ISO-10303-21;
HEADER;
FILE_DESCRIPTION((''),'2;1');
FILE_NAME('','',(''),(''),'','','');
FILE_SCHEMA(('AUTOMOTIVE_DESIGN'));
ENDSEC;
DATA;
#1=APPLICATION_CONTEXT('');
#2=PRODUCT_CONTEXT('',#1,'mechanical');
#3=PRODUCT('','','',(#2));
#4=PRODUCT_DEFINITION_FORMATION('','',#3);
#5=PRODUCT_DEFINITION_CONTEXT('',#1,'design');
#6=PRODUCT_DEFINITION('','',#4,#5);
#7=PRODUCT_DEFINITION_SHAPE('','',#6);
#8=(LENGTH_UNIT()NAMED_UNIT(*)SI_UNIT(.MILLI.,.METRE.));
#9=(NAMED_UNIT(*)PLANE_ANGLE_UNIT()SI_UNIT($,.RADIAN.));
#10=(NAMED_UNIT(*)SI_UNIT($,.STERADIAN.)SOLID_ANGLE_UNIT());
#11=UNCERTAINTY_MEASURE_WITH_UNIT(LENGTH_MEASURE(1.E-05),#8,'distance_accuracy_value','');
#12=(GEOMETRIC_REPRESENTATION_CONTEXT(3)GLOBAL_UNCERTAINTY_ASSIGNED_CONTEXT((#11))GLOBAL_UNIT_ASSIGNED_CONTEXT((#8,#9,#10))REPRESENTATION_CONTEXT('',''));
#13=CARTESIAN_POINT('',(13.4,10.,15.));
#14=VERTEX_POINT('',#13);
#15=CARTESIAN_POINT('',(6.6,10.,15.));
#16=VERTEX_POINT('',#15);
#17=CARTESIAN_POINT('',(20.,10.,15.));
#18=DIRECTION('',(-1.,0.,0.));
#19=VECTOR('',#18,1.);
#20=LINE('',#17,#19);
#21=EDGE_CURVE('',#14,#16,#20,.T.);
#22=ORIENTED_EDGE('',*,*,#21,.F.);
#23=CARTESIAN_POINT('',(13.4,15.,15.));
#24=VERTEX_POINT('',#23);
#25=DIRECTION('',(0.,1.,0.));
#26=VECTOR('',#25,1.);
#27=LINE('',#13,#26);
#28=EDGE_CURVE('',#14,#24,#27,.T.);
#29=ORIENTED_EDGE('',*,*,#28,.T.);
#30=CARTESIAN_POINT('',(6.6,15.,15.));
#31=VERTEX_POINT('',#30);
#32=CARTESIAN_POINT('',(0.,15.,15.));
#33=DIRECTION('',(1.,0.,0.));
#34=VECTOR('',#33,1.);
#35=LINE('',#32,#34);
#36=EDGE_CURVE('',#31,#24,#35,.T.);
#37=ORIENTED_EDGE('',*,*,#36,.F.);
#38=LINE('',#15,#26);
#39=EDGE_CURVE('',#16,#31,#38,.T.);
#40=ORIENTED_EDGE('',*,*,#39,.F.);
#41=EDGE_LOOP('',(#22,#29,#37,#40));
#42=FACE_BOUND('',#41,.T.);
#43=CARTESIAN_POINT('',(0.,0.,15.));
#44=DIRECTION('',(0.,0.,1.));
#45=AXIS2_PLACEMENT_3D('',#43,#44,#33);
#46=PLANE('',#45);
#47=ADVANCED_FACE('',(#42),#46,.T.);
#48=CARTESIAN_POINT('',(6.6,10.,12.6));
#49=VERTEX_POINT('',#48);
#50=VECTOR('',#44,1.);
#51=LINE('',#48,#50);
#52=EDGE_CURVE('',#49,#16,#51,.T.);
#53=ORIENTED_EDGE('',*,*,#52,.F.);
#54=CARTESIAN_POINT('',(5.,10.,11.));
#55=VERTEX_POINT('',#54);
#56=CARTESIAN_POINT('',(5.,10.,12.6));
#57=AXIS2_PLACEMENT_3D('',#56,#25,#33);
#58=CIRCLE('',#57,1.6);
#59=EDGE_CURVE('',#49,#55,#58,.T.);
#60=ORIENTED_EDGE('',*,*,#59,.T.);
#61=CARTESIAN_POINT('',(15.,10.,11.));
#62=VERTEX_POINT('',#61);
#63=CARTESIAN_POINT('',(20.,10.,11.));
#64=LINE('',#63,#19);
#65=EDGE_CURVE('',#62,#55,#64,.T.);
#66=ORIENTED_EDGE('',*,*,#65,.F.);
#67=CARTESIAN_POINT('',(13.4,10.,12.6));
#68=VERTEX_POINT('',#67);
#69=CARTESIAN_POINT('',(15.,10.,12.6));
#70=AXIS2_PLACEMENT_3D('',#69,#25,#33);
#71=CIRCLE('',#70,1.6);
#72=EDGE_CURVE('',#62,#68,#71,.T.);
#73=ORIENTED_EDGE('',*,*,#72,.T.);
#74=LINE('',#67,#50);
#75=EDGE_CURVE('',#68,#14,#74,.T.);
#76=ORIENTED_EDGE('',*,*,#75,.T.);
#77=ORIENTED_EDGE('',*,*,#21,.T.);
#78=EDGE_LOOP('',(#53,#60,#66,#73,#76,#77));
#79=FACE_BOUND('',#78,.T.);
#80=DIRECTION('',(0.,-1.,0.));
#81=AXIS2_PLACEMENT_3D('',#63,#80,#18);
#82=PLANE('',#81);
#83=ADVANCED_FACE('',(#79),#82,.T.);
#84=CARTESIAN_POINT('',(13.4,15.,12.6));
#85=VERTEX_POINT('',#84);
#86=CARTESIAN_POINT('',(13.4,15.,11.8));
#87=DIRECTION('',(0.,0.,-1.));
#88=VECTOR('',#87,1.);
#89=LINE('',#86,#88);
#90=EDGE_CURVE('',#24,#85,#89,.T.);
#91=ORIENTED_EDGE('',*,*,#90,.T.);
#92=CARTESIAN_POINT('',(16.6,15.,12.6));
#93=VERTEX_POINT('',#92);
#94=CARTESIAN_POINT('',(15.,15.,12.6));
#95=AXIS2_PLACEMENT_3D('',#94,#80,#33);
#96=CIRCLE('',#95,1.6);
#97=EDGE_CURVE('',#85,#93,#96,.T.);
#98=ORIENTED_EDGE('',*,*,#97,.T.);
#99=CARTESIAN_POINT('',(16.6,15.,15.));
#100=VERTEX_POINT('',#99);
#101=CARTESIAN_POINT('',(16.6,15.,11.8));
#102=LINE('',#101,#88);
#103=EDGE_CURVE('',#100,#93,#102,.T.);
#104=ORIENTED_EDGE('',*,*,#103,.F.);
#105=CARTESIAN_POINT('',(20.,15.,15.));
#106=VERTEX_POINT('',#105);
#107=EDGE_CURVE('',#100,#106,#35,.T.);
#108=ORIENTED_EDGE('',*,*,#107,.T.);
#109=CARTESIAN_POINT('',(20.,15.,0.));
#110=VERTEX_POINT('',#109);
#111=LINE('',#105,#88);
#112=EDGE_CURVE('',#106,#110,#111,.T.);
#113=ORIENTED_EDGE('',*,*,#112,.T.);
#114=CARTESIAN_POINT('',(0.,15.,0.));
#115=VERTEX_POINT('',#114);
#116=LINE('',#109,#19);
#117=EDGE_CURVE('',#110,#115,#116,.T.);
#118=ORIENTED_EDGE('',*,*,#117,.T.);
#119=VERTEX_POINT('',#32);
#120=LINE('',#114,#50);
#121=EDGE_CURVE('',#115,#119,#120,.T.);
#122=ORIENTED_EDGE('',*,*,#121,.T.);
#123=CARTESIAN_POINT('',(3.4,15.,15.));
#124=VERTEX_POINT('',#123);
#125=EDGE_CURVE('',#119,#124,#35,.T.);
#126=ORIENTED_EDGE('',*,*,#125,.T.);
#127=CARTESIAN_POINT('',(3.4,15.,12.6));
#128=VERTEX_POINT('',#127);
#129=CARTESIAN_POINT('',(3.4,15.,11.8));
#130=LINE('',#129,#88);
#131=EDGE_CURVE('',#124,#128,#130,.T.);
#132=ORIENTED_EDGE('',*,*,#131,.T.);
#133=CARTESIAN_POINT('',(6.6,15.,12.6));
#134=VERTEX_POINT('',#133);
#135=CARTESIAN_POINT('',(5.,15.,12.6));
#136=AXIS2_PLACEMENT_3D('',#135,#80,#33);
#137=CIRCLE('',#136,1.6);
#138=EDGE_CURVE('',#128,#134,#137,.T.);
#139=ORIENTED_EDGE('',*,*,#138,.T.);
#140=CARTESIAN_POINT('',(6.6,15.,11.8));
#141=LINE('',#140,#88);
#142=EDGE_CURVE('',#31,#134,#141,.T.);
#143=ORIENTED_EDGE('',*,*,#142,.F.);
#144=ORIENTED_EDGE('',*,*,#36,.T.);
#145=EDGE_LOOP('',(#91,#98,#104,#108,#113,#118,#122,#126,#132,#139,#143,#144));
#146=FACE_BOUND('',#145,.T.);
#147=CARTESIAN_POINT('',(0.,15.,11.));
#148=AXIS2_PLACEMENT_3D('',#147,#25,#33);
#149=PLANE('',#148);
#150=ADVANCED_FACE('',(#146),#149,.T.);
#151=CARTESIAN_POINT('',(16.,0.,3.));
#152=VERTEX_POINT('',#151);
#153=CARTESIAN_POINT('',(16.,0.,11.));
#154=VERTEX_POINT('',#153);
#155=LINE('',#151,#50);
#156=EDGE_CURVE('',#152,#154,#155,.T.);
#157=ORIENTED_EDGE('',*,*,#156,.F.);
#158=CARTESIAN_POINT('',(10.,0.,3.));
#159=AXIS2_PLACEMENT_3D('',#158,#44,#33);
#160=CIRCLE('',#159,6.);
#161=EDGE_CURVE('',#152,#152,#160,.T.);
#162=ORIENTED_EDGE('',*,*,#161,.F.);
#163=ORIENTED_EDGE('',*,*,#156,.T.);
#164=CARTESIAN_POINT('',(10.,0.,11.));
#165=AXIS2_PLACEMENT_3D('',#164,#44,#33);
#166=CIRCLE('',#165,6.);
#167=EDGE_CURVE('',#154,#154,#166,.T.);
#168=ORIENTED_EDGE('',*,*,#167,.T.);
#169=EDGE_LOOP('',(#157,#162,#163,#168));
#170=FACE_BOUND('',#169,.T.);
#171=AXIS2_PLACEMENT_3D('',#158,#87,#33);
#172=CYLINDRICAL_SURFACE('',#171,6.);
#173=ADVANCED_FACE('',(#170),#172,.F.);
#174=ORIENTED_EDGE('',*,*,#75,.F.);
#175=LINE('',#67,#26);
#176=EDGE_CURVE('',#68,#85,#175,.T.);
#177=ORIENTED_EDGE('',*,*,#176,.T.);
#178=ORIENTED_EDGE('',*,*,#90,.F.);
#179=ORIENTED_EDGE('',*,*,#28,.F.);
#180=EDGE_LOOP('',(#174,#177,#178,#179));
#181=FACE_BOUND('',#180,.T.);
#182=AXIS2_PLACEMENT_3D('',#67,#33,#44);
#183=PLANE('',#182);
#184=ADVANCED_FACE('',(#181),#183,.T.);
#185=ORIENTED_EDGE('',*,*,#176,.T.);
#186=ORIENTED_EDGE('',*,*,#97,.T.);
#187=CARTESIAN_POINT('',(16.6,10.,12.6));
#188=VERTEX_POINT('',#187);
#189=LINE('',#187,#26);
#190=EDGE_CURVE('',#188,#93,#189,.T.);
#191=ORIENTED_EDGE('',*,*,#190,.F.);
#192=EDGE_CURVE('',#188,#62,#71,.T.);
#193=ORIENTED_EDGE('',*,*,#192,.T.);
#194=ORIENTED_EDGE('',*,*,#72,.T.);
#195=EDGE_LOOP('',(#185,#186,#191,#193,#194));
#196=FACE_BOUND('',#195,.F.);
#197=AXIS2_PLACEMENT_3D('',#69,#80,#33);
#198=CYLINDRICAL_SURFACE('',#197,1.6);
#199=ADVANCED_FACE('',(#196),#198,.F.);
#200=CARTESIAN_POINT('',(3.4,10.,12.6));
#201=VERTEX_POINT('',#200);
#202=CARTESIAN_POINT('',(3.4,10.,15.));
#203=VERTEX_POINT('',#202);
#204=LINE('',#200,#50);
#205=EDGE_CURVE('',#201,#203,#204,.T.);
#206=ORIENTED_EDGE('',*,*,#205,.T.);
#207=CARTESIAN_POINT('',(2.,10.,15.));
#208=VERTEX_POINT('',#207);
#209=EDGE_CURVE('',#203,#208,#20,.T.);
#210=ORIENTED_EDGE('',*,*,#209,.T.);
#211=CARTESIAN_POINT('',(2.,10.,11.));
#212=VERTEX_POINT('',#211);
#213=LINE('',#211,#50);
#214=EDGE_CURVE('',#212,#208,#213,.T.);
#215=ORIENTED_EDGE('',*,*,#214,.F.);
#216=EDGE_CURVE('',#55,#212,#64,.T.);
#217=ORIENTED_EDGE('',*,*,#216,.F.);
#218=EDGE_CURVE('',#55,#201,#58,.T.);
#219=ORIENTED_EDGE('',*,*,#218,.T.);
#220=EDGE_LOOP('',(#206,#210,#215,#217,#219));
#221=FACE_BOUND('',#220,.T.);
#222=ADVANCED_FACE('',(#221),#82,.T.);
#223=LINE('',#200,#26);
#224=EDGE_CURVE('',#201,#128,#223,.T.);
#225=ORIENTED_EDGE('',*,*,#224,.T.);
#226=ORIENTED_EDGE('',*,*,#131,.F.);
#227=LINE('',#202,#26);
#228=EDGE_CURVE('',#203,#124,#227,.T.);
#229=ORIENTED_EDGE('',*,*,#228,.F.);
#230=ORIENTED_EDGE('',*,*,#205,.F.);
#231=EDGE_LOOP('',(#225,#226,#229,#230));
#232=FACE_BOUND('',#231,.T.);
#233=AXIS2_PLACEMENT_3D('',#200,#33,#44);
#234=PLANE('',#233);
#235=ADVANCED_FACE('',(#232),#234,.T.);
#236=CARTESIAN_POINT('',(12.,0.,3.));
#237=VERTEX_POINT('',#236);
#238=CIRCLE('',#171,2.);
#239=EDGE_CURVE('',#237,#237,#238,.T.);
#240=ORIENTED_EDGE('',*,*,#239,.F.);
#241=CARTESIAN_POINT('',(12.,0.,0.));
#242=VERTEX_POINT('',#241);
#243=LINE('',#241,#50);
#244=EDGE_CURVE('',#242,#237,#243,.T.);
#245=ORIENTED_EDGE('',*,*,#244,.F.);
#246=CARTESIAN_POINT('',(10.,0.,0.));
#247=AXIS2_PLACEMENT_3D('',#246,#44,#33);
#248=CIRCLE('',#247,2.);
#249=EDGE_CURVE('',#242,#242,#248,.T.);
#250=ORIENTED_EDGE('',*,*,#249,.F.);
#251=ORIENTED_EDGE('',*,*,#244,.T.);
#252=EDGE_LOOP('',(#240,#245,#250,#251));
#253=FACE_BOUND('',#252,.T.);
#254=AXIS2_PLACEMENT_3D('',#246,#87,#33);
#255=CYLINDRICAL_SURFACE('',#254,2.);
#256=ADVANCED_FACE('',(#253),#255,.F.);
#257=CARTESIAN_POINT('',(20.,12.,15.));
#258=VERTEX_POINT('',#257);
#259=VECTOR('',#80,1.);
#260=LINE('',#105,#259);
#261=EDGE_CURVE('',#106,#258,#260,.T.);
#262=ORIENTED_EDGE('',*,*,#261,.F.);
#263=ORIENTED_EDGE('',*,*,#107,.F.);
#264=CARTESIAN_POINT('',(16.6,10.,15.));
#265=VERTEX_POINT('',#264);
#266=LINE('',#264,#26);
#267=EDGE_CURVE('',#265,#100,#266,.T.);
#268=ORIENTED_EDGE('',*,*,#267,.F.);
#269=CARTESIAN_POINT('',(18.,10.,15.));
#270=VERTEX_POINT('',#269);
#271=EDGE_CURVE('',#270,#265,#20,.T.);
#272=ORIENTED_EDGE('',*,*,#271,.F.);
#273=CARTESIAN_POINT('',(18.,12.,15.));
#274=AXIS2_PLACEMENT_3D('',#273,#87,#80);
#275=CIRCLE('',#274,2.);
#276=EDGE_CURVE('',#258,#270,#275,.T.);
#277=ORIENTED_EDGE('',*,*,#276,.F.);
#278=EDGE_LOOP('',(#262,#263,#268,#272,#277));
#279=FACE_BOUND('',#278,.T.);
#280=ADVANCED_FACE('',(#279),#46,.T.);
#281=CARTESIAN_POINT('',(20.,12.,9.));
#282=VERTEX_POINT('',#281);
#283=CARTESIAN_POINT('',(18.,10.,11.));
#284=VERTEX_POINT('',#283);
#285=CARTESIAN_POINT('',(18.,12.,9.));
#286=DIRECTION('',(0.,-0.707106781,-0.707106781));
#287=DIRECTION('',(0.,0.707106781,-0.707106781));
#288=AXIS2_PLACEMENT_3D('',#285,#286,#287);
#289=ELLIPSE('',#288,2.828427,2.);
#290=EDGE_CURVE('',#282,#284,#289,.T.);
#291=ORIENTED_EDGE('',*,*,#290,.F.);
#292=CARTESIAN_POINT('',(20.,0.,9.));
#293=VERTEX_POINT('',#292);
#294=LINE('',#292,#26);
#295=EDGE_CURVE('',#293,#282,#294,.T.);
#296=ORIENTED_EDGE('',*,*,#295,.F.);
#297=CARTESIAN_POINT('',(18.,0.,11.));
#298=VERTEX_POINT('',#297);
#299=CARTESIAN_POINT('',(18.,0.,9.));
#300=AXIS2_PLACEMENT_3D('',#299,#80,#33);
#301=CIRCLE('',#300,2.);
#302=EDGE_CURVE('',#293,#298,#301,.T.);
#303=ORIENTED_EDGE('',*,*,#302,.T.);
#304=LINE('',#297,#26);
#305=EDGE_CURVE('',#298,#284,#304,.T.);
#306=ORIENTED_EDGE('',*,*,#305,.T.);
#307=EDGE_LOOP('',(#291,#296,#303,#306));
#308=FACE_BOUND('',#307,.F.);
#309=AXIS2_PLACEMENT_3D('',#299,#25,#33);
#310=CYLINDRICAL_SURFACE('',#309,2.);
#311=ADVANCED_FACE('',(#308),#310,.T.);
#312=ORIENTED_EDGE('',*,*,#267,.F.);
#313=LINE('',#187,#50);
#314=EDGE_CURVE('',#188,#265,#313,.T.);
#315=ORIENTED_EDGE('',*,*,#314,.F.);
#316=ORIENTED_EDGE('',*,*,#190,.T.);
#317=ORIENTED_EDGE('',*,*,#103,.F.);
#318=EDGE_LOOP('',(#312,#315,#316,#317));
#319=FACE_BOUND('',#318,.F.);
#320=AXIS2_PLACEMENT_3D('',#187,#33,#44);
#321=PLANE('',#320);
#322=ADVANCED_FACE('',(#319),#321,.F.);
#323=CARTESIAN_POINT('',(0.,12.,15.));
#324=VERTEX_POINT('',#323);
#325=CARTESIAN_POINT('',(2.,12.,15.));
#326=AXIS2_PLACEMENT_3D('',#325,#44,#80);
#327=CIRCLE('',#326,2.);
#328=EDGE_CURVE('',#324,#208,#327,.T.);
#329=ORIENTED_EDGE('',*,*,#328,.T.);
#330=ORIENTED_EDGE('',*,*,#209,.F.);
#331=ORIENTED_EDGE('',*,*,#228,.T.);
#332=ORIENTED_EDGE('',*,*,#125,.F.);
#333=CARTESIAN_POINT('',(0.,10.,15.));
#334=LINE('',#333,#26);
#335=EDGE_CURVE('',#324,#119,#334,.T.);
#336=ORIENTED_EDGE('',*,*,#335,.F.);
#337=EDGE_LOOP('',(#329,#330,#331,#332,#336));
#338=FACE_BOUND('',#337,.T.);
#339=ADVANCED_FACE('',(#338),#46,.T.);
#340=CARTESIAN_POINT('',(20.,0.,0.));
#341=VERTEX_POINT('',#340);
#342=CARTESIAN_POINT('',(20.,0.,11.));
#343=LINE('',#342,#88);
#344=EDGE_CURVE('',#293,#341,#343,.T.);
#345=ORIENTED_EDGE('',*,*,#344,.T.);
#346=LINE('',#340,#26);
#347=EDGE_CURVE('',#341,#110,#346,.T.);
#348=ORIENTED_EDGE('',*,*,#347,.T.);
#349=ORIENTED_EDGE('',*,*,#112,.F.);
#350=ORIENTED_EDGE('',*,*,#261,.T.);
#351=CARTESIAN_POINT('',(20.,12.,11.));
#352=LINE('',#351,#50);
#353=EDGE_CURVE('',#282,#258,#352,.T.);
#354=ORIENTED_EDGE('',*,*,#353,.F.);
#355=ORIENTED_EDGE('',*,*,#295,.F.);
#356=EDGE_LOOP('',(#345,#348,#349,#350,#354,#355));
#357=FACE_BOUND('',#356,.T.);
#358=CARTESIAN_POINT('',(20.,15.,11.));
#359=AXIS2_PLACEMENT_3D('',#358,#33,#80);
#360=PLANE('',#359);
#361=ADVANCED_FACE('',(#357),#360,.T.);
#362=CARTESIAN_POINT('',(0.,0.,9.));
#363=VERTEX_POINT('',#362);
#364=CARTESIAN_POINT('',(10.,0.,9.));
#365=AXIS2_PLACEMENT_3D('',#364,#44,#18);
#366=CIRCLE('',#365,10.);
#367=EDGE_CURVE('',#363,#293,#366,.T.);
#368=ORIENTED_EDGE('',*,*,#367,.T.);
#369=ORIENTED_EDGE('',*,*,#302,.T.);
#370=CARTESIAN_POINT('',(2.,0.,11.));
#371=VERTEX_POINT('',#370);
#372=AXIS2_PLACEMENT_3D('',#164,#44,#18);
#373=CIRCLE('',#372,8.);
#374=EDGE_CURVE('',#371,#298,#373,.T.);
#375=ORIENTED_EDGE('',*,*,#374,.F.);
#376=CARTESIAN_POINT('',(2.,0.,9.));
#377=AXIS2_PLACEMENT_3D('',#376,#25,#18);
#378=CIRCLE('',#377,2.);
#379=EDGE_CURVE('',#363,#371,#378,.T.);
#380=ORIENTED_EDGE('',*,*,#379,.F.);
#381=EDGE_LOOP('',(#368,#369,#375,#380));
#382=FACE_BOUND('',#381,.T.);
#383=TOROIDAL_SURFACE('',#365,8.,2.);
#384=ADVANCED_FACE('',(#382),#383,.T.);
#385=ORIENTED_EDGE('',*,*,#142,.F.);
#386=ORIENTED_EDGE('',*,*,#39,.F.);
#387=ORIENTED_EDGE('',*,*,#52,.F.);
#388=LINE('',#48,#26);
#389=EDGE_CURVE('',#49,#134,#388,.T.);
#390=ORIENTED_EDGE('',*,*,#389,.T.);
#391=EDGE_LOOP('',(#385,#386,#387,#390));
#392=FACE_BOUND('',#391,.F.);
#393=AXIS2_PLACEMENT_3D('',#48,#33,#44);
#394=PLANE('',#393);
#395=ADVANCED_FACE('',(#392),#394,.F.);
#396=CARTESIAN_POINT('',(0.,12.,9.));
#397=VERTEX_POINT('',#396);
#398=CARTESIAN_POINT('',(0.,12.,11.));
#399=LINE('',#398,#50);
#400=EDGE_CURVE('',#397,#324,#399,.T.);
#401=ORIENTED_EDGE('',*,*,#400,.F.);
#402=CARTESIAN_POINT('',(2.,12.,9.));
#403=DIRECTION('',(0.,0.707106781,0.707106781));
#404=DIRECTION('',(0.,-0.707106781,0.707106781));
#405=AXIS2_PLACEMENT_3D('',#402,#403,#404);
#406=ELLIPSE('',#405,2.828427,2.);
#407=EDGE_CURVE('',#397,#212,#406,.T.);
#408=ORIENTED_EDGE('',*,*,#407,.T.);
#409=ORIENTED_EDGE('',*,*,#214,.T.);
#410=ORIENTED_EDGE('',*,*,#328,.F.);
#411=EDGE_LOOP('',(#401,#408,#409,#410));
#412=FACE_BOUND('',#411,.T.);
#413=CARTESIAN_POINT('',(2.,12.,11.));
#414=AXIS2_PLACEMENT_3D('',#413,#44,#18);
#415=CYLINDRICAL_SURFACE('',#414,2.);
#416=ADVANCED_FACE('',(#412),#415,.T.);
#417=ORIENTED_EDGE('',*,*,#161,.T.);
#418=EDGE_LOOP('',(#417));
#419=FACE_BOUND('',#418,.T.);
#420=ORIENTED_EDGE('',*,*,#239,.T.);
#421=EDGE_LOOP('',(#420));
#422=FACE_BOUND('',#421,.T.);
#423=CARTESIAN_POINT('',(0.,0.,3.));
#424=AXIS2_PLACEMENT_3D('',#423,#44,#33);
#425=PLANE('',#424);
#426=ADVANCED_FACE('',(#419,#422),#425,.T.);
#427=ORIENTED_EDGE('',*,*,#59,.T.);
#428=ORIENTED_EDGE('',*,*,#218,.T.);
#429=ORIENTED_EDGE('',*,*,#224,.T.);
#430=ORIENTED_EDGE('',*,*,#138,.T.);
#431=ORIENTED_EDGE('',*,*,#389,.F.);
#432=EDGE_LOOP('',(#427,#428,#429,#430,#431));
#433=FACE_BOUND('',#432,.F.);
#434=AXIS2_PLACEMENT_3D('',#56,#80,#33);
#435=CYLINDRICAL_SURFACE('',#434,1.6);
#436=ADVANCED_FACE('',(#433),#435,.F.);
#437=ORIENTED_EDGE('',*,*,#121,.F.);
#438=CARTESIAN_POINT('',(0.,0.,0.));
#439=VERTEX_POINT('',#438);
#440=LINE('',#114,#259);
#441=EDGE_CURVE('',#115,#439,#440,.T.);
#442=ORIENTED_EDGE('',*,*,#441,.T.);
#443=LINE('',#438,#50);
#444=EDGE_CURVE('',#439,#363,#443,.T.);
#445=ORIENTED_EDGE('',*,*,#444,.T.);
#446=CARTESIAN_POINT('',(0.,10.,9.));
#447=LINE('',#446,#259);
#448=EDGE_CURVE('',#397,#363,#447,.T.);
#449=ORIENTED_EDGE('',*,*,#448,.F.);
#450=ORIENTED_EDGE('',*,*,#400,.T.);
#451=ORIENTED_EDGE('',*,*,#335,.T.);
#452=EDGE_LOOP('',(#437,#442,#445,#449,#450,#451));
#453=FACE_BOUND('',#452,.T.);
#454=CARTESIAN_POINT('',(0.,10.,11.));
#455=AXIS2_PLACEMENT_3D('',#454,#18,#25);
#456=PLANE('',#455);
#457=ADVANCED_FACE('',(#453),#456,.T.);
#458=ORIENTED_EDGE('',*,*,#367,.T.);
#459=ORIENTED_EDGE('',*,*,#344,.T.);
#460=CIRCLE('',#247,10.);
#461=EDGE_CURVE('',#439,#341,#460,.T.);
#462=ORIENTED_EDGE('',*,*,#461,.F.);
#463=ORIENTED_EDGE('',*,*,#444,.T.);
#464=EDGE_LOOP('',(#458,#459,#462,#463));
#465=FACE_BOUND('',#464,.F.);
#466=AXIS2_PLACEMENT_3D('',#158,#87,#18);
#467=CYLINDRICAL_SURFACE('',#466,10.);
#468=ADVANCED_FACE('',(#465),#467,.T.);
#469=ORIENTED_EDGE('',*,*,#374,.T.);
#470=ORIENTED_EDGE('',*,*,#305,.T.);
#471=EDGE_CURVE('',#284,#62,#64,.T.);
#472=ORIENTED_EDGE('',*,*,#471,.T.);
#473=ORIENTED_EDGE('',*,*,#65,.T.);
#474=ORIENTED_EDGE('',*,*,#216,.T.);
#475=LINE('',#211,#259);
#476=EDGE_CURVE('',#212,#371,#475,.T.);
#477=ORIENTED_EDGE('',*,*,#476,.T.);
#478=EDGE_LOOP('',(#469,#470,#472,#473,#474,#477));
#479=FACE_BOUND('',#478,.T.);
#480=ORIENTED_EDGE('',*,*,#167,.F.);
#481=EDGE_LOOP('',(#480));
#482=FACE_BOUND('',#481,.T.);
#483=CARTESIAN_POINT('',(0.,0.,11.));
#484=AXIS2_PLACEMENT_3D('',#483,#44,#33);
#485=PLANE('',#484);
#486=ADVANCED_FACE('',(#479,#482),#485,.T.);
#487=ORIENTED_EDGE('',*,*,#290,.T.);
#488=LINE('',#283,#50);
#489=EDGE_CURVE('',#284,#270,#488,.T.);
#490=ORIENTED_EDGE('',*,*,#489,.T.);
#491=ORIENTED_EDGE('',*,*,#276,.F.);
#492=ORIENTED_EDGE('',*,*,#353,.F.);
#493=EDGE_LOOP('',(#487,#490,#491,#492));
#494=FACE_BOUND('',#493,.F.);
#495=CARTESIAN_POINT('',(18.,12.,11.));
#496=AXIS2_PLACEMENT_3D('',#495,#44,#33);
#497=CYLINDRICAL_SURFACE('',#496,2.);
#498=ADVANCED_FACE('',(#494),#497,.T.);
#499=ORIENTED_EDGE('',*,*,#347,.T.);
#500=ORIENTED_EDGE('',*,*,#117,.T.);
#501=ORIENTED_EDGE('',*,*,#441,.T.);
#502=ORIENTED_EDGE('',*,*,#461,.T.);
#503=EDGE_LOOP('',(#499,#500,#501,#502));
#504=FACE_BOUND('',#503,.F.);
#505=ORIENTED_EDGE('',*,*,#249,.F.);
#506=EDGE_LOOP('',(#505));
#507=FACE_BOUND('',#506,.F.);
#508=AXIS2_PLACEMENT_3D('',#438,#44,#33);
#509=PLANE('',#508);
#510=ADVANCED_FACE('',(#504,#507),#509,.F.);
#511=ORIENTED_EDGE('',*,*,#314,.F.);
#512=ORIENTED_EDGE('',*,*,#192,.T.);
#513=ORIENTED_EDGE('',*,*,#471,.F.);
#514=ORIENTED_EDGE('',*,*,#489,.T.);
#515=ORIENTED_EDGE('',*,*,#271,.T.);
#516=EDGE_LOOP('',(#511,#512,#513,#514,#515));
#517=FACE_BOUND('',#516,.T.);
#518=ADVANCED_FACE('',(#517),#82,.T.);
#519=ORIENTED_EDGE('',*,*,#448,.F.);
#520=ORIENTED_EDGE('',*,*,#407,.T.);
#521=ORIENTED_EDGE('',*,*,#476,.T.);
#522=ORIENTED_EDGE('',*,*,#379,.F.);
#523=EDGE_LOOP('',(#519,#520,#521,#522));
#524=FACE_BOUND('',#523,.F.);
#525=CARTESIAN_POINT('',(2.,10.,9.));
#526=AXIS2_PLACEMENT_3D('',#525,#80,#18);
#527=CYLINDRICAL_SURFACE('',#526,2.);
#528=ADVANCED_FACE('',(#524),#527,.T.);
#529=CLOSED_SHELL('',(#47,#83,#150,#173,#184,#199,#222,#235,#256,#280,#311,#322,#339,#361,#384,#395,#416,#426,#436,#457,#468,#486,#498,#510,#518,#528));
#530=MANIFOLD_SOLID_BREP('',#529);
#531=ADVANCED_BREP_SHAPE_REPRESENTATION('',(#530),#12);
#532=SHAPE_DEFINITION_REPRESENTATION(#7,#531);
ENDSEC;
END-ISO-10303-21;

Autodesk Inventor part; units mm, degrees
ref_plane "YZ Plane" through (0, 0, 0) normal (1, 0, 0) x (0, 1, 0)
ref_plane "XZ Plane" through (0, 0, 0) normal (0, 1, 0) x (-1, 0, 0)
ref_plane "XY Plane" through (0, 0, 0) normal (0, 0, 1) x (1, 0, 0)
sketch "Sketch1" plane through (0, 0, 0) normal (0, 0, 1) x (1, 0, 0)
  line L0 (20, 0) -> (20, 15)
  line L1 (20, 15) -> (0, 15)
  line L2 (0, 15) -> (0, 0)
  circle A0 centre (10, 0) radius 10
  circle A1 centre (10, 0) radius 2
  line L3 (0, 0) -> (8, 0)
  line L4 (12, 0) -> (20, 0)
  dimension "d3" = 20
  dimension "d4" = 15
  dimension "d5" = 4
extrude "Extrusion1" add sketch "Sketch1" along normal blind 3 contours A0 L2 L1 L0 | L4 A1 L3 A0 | A0 L3 A1 L4
sketch "Sketch3" plane through (0, 0, 3) normal (0, 0, 1) x (1, 0, 0)
  circle A0 centre (10, 0) radius 2 projected
  circle A1 centre (10, 0) radius 6
  line L0 (0, 15) -> (0, 0) projected
  arc A2 (0, 0) -> (20, 0) centre (10, 0) ccw
  line L1 (0, 15) -> (20, 15)
  line L2 (20, 15) -> (20, 0)
  line L3 (0, 0) -> (0, 15)
  dimension "d8" = 12
extrude "Extrusion2" add sketch "Sketch3" along normal blind 8 contours L1 L2 A2 L0
sketch "Sketch4" plane through (0, 0, 11) normal (0, 0, 1) x (1, 0, 0)
  line L0 (0, 15) -> (20, 15)
  line L1 (20, 15) -> (20, 10)
  line L2 (20, 10) -> (0, 10)
  line L3 (0, 10) -> (0, 15)
  line L4 (20, 15) -> (0, 15) projected
  point P0 (0, 0)
  dimension "d11" = 20
  dimension "d12" = 5
extrude "Extrusion3" add sketch "Sketch4" along normal blind 4
sketch "Sketch5" plane through (0, 10, 11) normal (0, -1, 0) x (1, 0, 0)
  circle A0 centre (5, 1.6) radius 1.6
  circle A1 centre (15, 1.6) radius 1.6
  line L0 (0, 0) -> (0, 4) projected
  line L1 (20, 0) -> (20, 4) projected
  line L2 (0, 4) -> (20, 4) projected
  line L3 (20, 0) -> (0, 0) projected
  line L4 (3.4, 1.6) -> (3.4, 4)
  line L5 (13.4, 1.6) -> (13.4, 4)
  line L6 (16.6, 1.6) -> (16.6, 4)
  line L7 (6.6, 1.6) -> (6.6, 4)
  point P0 (0, -11)
  dimension "d15" = 3.2
  dimension "d16" = 3.2
  dimension "d21" = 5
  dimension "d23" = 5
extrude "Extrusion4" cut sketch "Sketch5" against normal through all contours A0 | A0 L4 L2 L7 | A1 | L2 L6 A1 L5
fillet "Fillet2" radius 2 5 edges at (0, 10, 13) (10, -10, 11) (20, 5, 11) (0, 5, 11) (20, 10, 13)
properties part number "clip"
